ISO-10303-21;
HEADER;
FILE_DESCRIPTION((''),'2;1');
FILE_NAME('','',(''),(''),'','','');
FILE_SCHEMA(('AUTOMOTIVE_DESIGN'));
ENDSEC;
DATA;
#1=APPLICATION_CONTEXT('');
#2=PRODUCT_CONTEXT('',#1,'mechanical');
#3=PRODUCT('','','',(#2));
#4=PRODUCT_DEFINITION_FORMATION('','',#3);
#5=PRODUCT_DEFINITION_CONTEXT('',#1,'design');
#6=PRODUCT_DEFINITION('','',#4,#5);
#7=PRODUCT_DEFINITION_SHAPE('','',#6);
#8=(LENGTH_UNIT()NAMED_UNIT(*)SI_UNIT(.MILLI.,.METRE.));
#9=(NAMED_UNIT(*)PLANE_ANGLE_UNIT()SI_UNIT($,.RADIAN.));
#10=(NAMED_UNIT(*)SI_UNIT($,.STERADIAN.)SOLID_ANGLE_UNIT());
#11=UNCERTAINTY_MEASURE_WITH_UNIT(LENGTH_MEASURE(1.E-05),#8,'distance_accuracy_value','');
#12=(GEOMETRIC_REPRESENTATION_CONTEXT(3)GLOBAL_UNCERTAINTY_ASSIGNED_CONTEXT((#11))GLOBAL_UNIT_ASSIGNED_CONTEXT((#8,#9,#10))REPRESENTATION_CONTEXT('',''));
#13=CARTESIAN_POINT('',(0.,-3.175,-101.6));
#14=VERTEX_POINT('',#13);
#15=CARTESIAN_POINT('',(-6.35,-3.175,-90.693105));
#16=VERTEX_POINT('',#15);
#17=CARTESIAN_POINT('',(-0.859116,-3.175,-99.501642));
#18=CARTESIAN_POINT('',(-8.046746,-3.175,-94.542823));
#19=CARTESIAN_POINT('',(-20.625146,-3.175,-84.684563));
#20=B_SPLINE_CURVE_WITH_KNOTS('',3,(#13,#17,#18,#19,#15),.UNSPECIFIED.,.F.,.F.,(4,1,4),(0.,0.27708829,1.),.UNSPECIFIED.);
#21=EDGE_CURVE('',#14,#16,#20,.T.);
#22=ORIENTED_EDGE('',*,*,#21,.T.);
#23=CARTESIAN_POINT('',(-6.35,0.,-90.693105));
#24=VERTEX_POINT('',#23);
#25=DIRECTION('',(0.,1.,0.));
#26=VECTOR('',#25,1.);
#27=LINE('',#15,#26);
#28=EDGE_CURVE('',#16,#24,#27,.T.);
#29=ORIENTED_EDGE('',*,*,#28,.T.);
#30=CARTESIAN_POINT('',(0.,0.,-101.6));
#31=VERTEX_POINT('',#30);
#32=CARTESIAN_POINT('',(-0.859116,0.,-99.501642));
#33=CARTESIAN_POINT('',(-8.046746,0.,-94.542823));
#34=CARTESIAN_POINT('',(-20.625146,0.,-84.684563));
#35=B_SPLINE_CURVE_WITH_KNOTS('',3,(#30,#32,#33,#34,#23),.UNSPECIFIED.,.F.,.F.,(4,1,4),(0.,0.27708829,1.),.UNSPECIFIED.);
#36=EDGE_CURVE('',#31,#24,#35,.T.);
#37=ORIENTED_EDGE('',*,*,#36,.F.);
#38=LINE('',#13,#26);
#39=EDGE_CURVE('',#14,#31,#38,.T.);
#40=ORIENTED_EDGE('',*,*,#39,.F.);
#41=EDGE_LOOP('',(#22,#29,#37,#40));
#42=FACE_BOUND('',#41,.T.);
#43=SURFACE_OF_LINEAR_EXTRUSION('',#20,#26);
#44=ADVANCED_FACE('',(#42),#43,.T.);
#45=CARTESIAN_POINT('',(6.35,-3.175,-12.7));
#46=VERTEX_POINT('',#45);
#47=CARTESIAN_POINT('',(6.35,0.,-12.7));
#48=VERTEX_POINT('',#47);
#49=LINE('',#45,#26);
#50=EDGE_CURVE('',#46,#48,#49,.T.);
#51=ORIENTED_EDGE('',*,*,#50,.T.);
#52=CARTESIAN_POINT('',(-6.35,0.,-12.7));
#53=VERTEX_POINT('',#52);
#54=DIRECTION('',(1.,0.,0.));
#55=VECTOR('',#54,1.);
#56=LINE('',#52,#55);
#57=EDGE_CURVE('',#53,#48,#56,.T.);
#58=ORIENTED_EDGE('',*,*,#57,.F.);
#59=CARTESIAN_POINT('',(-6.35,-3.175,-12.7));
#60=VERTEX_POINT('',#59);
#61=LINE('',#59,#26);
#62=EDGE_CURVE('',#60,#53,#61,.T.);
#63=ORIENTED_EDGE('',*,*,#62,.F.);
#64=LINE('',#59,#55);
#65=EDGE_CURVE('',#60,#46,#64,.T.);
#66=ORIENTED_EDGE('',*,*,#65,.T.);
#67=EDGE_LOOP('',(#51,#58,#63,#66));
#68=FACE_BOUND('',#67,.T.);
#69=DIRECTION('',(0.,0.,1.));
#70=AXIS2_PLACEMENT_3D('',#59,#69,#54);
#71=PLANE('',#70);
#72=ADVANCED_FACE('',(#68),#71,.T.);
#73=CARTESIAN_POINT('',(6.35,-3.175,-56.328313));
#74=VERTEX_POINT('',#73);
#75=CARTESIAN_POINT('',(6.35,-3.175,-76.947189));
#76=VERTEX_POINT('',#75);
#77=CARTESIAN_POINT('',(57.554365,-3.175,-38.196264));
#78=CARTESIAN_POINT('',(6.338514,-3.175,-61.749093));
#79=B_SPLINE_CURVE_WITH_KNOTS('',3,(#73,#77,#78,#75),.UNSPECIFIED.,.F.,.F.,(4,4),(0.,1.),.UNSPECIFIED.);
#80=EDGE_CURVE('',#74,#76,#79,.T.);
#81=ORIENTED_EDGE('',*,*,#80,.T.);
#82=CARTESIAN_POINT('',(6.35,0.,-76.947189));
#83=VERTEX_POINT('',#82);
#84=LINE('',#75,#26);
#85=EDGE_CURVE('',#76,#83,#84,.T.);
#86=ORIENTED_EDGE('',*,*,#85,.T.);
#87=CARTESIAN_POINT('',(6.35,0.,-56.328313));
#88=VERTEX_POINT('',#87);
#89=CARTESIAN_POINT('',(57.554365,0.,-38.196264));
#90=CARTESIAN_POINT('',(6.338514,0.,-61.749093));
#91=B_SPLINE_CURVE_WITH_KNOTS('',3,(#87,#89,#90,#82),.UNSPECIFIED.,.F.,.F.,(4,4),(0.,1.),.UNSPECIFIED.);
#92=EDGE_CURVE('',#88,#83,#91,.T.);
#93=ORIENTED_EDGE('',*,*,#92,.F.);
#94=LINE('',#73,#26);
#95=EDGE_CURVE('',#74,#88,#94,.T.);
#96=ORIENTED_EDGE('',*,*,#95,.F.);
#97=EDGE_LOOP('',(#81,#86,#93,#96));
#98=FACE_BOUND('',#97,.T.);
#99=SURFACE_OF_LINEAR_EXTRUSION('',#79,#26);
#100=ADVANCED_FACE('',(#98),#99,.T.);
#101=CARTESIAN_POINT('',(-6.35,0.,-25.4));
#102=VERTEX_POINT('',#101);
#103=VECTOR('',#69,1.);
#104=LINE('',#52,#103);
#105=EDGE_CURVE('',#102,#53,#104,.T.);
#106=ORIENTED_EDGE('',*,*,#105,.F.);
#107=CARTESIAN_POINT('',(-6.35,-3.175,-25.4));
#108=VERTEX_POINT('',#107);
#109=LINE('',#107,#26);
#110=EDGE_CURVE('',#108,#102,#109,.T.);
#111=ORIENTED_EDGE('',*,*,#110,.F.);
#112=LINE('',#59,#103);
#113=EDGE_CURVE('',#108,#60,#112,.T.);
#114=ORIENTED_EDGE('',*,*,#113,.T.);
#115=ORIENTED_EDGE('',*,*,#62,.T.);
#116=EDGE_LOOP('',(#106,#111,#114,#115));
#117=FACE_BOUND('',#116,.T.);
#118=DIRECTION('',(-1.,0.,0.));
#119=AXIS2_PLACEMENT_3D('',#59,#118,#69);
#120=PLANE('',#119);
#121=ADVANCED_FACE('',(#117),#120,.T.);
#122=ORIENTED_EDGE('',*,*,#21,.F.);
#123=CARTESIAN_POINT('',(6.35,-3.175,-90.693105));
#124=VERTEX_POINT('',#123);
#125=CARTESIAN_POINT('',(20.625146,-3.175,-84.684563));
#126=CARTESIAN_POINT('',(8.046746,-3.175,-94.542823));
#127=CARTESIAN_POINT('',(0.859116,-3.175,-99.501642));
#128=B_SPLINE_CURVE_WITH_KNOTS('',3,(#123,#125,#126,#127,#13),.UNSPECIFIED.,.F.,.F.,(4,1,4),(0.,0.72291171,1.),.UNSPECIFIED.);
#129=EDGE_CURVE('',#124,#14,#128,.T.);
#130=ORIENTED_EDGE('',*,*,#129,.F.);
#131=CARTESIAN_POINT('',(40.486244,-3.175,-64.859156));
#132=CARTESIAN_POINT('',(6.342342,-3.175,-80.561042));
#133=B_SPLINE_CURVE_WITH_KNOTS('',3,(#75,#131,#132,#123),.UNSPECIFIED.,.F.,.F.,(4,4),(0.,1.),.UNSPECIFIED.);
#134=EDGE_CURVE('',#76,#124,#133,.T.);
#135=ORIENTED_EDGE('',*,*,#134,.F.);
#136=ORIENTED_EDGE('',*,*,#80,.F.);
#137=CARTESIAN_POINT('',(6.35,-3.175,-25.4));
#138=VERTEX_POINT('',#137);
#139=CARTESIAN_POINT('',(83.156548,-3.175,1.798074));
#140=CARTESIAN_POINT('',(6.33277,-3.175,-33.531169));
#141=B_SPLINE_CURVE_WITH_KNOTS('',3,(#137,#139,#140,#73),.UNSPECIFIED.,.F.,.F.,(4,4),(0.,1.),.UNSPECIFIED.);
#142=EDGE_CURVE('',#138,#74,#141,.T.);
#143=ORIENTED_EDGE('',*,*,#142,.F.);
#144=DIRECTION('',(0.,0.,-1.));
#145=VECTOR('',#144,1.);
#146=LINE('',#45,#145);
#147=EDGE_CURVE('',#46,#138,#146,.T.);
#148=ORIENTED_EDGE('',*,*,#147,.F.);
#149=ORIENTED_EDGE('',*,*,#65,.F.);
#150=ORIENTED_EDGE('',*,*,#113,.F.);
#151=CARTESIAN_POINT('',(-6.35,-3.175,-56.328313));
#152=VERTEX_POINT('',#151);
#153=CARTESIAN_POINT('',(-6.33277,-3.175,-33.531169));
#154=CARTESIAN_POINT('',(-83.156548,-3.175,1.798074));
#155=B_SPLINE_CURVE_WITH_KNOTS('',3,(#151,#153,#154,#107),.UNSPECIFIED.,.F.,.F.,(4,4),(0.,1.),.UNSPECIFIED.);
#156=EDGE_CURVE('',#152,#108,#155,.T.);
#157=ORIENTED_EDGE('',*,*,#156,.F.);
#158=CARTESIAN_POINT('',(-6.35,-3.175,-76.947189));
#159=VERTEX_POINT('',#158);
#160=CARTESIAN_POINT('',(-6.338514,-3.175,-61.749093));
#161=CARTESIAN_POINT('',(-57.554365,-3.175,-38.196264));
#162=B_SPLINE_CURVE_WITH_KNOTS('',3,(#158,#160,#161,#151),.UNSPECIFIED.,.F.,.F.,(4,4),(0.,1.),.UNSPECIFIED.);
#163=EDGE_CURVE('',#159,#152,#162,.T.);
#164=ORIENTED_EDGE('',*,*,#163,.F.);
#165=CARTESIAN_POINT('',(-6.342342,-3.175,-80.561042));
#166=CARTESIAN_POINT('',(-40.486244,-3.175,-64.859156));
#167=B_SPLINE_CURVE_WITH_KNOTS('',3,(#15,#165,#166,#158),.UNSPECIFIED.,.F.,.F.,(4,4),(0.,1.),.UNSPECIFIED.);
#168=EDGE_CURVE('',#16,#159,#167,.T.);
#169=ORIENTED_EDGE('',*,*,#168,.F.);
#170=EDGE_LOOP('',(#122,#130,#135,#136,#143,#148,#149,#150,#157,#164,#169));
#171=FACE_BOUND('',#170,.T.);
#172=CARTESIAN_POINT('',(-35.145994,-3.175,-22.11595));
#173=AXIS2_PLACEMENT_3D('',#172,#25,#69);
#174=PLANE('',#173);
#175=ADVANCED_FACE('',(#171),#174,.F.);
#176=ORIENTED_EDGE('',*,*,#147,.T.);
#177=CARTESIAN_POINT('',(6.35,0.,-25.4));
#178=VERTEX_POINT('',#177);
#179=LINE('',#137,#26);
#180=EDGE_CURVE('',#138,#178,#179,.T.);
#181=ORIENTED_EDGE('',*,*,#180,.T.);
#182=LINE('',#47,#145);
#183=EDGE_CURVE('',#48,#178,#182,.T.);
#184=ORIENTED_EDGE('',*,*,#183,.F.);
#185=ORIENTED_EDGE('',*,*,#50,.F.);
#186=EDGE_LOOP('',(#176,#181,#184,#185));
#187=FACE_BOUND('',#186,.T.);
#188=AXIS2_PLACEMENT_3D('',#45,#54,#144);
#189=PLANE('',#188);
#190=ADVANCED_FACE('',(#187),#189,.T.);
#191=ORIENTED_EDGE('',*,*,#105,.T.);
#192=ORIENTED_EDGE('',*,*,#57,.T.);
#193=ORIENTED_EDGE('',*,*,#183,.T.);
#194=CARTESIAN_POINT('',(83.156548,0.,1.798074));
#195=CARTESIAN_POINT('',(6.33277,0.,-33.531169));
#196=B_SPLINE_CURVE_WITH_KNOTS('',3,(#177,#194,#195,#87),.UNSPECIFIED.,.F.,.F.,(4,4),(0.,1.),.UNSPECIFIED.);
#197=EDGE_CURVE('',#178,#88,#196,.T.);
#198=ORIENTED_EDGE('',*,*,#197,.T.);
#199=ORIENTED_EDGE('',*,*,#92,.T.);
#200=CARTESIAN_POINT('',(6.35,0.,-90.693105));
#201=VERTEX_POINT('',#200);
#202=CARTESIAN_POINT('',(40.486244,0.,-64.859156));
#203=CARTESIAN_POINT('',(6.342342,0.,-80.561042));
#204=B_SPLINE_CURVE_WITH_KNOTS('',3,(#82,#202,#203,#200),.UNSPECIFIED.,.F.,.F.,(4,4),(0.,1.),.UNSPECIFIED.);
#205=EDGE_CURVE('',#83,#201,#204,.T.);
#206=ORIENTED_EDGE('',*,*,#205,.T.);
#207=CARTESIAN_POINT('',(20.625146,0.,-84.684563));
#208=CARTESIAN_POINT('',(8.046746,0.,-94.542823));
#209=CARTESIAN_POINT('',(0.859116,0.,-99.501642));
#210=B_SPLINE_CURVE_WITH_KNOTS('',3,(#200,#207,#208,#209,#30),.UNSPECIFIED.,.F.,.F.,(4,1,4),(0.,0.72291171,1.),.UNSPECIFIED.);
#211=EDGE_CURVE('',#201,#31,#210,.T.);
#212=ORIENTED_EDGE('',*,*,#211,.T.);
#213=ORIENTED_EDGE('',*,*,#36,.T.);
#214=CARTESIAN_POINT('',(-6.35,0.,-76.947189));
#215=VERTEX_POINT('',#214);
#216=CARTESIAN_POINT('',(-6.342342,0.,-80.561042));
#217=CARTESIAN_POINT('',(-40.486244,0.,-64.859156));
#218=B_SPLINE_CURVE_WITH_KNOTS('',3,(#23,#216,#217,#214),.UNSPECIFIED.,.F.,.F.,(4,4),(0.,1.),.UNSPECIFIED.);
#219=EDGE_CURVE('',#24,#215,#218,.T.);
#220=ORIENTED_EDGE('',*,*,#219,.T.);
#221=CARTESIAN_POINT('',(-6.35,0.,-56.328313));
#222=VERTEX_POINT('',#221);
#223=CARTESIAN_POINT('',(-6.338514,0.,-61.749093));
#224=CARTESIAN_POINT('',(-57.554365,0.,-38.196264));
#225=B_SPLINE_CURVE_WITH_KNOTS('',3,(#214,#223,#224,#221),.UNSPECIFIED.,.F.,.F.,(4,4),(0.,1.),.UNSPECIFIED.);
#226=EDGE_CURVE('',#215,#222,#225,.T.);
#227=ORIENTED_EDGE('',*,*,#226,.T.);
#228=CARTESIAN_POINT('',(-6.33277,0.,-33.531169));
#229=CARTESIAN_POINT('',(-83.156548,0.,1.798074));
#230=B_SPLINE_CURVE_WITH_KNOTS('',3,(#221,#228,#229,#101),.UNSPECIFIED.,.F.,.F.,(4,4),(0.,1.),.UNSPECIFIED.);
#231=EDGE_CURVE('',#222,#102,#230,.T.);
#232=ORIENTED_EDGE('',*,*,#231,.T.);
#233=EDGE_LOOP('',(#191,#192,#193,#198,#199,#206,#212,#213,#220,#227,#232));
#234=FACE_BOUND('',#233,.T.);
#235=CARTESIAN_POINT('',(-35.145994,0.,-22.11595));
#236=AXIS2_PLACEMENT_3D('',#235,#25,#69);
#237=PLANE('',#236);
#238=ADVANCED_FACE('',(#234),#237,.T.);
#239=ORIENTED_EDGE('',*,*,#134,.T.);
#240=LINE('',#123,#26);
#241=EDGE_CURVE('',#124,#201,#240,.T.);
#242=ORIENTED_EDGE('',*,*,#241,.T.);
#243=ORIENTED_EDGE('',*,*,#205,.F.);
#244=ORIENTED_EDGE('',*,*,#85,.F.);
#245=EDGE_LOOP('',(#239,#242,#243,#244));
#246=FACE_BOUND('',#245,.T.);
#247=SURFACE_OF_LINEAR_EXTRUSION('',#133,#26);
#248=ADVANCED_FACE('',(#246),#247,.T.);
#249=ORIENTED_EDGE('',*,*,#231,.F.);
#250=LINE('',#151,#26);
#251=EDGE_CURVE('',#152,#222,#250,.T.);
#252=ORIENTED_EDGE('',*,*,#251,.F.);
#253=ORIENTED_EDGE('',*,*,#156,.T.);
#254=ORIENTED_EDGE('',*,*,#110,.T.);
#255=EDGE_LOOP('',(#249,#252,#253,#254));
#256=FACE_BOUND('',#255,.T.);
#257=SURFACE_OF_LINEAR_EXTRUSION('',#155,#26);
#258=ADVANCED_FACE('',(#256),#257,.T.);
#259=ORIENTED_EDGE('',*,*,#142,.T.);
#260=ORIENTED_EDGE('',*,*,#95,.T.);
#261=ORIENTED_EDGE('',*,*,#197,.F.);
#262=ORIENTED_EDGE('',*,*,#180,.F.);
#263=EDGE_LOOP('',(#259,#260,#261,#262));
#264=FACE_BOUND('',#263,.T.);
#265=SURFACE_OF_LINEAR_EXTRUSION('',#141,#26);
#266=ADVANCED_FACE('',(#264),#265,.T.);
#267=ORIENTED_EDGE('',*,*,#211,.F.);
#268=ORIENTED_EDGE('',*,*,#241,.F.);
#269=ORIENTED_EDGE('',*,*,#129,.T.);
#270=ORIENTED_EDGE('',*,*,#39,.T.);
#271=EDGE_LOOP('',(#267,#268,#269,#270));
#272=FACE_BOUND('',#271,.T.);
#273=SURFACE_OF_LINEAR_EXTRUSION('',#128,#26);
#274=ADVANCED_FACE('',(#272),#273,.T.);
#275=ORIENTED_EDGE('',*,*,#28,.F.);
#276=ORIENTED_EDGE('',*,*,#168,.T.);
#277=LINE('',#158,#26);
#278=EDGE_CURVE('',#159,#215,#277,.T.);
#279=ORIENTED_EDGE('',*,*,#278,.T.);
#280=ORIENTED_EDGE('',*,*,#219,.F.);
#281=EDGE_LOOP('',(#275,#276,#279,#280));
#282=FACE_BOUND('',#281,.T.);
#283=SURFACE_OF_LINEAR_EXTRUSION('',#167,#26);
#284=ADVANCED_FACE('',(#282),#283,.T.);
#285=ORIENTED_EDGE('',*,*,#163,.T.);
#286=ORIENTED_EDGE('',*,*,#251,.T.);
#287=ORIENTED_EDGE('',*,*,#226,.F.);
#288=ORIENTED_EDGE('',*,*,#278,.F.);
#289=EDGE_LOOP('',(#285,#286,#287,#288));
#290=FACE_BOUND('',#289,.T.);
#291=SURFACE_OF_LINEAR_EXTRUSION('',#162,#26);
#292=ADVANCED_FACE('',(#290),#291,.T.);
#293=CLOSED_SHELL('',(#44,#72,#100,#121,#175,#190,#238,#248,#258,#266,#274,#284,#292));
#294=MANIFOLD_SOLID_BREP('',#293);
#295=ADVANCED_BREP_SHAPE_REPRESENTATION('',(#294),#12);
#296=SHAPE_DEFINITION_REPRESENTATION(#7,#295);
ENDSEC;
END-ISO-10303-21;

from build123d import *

# Parameters (mm, degrees)
BOSS_EXTRUDE1_DEPTH = 3.175


with BuildPart() as part:
    # Sketch1 → Boss-Extrude1 (new body)
    with BuildSketch(Plane(origin=(0, 0, 0), x_dir=(1, 0, 0), z_dir=(0, 1, 0))):
        with BuildLine():
            Line((-6.35, 12.7), (6.35, 12.7))
            Line((6.35, 12.7), (6.35, 25.4))
            add(Edge.make_bspline(
                [(6.35, 56.328313115), (6.33277042, 33.531169368), (83.156548095, -1.798073983), (6.35, 25.4)],
                knots=[0, 0, 0, 0, 1, 1, 1, 1], degree=3))
            add(Edge.make_bspline(
                [(6.35, 76.947188524), (6.338513613, 61.749092693), (57.554365397, 38.196263793), (6.35, 56.328313115)],
                knots=[0, 0, 0, 0, 1, 1, 1, 1], degree=3))
            add(Edge.make_bspline(
                [(6.35, 90.693105464), (6.342342409, 80.561041577), (40.486243598, 64.859155643), (6.35, 76.947188524)],
                knots=[0, 0, 0, 0, 1, 1, 1, 1], degree=3))
            add(Edge.make_bspline(
                [(0, 101.6), (0.859116351, 99.501641609), (8.04674624, 94.542823282), (20.625145946, 84.684563188), (6.35, 90.693105464)],
                knots=[0, 0, 0, 0, 0.27708829, 1, 1, 1, 1], degree=3))
            add(Edge.make_bspline(
                [(0, 101.6), (-0.859116351, 99.501641609), (-8.04674624, 94.542823282), (-20.625145946, 84.684563188), (-6.35, 90.693105464)],
                knots=[0, 0, 0, 0, 0.27708829, 1, 1, 1, 1], degree=3))
            add(Edge.make_bspline(
                [(-6.35, 90.693105464), (-6.342342409, 80.561041577), (-40.486243598, 64.859155643), (-6.35, 76.947188524)],
                knots=[0, 0, 0, 0, 1, 1, 1, 1], degree=3))
            add(Edge.make_bspline(
                [(-6.35, 76.947188524), (-6.338513613, 61.749092693), (-57.554365397, 38.196263793), (-6.35, 56.328313115)],
                knots=[0, 0, 0, 0, 1, 1, 1, 1], degree=3))
            add(Edge.make_bspline(
                [(-6.35, 56.328313115), (-6.33277042, 33.531169368), (-83.156548095, -1.798073983), (-6.35, 25.4)],
                knots=[0, 0, 0, 0, 1, 1, 1, 1], degree=3))
            Line((-6.35, 25.4), (-6.35, 12.7))
        make_face()
    extrude(amount=-BOSS_EXTRUDE1_DEPTH)


solid = part.part
